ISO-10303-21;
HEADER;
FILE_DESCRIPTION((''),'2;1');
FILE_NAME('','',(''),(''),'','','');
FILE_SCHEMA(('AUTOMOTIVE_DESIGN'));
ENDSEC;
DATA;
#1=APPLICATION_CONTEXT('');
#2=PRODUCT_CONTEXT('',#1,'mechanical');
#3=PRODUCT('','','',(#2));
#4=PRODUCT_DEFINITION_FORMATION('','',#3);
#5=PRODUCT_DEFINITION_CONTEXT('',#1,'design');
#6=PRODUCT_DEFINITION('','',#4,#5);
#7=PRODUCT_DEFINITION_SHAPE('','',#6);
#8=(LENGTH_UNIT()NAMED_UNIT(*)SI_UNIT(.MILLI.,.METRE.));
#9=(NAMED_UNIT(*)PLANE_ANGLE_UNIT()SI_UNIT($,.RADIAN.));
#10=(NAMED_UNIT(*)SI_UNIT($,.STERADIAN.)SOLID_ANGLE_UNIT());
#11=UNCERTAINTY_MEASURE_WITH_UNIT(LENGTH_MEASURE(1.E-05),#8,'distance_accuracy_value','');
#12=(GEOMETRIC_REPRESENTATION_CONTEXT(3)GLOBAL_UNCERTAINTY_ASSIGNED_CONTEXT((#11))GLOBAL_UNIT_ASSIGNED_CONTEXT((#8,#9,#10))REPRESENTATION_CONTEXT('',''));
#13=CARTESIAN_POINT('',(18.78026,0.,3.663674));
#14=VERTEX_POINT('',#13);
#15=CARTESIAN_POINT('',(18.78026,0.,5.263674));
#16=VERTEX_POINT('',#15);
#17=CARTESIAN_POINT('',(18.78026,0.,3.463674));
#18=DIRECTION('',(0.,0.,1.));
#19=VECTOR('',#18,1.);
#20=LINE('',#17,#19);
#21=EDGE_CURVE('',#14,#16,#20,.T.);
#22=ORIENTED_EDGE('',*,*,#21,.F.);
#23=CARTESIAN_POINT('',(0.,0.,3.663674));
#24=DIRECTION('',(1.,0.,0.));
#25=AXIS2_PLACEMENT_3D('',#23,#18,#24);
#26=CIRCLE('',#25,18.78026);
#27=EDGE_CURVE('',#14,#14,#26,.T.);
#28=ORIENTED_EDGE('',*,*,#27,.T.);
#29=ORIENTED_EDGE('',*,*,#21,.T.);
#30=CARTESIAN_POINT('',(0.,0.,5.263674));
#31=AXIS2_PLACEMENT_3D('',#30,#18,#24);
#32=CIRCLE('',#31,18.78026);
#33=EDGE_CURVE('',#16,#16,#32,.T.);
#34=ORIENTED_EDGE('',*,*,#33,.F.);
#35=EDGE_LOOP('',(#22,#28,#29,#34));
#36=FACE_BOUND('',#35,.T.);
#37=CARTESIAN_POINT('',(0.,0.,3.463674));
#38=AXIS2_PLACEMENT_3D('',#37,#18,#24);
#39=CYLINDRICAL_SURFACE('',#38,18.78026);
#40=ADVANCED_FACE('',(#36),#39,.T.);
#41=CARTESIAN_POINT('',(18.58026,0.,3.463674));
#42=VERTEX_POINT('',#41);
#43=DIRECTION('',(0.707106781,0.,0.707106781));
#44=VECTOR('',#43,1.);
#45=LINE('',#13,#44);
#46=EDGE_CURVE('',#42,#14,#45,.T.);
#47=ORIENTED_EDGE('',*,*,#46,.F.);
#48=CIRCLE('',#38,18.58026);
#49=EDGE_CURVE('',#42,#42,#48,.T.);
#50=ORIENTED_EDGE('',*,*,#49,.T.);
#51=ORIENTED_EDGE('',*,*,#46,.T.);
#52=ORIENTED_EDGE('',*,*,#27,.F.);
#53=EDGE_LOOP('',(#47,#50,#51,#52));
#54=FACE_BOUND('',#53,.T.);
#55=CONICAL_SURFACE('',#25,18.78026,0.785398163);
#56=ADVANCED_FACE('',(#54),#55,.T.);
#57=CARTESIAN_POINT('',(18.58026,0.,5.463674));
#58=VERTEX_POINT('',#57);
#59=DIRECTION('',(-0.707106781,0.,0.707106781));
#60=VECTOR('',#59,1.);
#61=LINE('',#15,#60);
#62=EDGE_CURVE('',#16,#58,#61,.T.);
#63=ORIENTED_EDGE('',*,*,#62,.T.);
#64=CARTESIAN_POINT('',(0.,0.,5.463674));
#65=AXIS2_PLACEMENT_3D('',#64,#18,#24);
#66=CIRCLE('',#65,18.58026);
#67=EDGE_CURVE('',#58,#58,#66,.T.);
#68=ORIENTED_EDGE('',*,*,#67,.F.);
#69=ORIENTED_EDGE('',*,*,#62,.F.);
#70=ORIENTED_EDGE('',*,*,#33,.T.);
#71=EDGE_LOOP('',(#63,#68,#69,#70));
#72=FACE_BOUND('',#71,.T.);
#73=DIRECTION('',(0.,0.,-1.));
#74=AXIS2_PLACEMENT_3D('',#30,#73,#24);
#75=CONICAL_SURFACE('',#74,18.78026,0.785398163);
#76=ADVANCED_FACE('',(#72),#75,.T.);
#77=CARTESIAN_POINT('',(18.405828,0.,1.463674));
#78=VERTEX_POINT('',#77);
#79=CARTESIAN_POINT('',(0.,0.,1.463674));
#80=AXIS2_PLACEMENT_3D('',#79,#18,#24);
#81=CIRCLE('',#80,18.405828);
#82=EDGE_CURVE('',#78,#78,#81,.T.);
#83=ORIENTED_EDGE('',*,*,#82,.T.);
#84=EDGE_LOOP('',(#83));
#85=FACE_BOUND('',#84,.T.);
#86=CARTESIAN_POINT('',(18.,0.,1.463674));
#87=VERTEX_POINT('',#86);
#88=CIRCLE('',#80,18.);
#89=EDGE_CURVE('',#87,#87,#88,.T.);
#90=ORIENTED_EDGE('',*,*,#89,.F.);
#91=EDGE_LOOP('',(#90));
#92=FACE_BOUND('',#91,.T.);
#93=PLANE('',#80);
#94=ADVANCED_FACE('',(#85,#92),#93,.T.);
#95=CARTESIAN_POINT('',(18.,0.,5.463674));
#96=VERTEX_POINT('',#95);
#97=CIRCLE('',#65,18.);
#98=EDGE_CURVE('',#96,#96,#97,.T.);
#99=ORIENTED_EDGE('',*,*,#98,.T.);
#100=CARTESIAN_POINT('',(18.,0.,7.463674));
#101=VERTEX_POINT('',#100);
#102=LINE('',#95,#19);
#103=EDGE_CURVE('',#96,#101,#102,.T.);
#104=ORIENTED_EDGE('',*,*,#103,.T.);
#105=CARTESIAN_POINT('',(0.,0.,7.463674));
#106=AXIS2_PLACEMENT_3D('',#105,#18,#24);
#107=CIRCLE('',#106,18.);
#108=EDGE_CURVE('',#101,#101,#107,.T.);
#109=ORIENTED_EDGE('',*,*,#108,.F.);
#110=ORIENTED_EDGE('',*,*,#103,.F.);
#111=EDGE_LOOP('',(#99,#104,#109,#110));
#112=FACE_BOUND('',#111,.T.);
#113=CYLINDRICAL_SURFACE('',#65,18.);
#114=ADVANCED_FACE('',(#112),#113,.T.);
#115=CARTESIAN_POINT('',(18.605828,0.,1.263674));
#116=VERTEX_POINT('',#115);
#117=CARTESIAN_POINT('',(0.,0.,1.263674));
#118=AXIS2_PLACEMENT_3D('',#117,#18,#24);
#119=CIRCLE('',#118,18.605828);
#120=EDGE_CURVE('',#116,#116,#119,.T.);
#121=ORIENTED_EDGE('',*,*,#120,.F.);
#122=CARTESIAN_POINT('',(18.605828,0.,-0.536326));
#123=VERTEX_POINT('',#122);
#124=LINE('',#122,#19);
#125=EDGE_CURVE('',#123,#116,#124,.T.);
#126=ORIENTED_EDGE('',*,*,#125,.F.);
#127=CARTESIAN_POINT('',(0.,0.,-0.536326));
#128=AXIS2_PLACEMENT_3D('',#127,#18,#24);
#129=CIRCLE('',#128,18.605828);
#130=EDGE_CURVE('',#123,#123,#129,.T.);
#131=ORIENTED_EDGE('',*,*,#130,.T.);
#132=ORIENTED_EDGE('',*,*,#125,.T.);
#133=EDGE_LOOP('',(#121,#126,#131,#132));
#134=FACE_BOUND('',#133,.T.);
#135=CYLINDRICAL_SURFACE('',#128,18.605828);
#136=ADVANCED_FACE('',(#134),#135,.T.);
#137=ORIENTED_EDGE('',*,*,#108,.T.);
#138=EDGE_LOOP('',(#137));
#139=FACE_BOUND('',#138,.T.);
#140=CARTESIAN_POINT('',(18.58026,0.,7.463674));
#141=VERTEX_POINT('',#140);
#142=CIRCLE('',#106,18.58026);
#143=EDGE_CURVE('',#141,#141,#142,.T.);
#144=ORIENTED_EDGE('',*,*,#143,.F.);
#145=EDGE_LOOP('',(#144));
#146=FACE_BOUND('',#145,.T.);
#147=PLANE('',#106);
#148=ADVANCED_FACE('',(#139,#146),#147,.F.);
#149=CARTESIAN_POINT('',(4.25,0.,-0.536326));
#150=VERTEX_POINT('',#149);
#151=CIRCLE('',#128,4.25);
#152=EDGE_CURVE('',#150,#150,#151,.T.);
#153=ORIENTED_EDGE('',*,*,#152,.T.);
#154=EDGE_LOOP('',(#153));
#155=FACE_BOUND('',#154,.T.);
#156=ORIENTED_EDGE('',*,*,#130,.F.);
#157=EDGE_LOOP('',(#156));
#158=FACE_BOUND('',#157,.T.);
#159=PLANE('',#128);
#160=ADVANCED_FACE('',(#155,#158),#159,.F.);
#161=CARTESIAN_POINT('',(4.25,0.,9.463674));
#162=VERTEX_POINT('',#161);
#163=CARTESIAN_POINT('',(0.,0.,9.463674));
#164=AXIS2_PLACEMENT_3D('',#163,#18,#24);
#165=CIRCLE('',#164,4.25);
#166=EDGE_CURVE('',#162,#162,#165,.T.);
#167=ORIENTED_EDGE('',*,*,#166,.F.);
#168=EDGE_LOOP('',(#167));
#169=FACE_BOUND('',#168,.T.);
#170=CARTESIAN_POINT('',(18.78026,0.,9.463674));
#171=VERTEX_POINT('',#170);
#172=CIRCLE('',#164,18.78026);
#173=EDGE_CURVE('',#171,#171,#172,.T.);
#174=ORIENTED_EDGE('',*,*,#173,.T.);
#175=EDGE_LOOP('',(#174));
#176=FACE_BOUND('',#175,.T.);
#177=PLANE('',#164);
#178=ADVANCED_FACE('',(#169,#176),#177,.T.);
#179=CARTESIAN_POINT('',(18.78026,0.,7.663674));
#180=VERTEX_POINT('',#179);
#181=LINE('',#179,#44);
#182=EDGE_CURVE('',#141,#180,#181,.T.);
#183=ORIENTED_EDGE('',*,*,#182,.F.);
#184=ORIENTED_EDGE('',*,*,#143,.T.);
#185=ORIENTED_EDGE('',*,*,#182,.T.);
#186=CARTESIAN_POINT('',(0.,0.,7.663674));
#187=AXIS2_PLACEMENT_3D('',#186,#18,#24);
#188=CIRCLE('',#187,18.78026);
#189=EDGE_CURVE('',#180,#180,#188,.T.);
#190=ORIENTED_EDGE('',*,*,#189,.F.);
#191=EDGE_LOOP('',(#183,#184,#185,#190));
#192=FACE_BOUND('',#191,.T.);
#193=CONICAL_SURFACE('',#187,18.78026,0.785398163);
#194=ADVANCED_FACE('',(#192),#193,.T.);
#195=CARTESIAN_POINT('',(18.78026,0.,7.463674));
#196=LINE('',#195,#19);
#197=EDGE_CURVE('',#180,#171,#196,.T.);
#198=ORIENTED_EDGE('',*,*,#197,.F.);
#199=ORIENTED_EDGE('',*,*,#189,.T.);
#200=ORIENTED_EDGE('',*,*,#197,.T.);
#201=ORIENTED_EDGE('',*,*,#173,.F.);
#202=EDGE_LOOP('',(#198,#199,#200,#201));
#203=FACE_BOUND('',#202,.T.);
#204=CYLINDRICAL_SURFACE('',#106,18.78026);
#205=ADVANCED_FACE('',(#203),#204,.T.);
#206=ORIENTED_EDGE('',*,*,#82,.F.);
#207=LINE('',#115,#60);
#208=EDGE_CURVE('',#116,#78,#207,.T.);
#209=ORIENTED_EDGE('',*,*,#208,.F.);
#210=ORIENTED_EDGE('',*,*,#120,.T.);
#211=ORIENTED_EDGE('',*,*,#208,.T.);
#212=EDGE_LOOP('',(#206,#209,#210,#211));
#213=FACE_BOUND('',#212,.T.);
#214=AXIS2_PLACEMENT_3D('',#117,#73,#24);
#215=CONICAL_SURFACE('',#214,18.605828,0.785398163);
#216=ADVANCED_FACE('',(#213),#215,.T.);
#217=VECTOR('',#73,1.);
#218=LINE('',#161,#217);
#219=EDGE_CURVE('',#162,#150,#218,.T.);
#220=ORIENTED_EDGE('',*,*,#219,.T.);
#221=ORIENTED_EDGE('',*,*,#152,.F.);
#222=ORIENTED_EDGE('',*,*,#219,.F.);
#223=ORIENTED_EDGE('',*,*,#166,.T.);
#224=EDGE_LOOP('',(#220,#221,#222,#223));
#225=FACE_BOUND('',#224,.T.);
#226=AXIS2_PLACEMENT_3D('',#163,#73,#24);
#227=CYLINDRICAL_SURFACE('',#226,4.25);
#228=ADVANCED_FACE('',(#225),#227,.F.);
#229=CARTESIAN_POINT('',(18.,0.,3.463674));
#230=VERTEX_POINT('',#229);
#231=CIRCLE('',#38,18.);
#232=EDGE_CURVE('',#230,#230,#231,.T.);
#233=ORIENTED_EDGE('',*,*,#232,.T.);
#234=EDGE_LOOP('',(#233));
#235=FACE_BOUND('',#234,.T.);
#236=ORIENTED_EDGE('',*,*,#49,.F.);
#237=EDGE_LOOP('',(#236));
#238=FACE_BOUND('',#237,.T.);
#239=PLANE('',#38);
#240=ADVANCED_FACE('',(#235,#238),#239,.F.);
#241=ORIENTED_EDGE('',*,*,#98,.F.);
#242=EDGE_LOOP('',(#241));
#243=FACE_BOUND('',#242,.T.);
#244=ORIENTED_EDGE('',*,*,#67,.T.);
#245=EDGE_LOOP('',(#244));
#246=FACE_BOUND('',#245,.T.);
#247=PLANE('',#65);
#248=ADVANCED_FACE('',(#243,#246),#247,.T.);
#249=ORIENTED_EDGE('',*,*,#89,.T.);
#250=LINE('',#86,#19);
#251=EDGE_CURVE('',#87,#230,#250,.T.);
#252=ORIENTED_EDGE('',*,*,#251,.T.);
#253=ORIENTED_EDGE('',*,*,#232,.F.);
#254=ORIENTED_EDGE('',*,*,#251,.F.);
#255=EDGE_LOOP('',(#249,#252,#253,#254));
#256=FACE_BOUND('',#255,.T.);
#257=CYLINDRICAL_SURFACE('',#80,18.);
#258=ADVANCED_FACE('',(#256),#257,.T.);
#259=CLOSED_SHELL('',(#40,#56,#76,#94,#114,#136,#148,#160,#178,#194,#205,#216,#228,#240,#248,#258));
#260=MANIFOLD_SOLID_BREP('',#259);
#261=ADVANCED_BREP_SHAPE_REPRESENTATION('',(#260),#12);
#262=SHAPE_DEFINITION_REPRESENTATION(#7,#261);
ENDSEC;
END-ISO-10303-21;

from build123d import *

# Parameters (mm, degrees)
F2_SIZE = 0.2


with BuildPart() as f1:
    # F0 (on Front) → F1 (revolve)
    with BuildSketch(Plane.XZ):
        Polygon((18.78026, 9.463674), (4.25, 9.463674), (4.25, -0.536326), (18.605828, -0.536326), (18.605828, 1.463674), (18, 1.463674), (18, 3.463674), (18.78026, 3.463674), (18.78026, 5.463674), (18, 5.463674), (18, 7.463674), (18.78026, 7.463674), align=None)
    revolve(axis=Axis((0, 0, 5.491236), (0, 0, 1)))

    # F2
    f2_edges = [f1.edges().sort_by_distance(p)[0] for p in [
        (-18.78026, 0, 7.463674),
        (-18.78026, 0, 3.463674),
        (-18.605828, 0, 1.463674),
        (-18.78026, 0, 5.463674),
    ]]
    chamfer(f2_edges, length=F2_SIZE)


solid = f1.part
